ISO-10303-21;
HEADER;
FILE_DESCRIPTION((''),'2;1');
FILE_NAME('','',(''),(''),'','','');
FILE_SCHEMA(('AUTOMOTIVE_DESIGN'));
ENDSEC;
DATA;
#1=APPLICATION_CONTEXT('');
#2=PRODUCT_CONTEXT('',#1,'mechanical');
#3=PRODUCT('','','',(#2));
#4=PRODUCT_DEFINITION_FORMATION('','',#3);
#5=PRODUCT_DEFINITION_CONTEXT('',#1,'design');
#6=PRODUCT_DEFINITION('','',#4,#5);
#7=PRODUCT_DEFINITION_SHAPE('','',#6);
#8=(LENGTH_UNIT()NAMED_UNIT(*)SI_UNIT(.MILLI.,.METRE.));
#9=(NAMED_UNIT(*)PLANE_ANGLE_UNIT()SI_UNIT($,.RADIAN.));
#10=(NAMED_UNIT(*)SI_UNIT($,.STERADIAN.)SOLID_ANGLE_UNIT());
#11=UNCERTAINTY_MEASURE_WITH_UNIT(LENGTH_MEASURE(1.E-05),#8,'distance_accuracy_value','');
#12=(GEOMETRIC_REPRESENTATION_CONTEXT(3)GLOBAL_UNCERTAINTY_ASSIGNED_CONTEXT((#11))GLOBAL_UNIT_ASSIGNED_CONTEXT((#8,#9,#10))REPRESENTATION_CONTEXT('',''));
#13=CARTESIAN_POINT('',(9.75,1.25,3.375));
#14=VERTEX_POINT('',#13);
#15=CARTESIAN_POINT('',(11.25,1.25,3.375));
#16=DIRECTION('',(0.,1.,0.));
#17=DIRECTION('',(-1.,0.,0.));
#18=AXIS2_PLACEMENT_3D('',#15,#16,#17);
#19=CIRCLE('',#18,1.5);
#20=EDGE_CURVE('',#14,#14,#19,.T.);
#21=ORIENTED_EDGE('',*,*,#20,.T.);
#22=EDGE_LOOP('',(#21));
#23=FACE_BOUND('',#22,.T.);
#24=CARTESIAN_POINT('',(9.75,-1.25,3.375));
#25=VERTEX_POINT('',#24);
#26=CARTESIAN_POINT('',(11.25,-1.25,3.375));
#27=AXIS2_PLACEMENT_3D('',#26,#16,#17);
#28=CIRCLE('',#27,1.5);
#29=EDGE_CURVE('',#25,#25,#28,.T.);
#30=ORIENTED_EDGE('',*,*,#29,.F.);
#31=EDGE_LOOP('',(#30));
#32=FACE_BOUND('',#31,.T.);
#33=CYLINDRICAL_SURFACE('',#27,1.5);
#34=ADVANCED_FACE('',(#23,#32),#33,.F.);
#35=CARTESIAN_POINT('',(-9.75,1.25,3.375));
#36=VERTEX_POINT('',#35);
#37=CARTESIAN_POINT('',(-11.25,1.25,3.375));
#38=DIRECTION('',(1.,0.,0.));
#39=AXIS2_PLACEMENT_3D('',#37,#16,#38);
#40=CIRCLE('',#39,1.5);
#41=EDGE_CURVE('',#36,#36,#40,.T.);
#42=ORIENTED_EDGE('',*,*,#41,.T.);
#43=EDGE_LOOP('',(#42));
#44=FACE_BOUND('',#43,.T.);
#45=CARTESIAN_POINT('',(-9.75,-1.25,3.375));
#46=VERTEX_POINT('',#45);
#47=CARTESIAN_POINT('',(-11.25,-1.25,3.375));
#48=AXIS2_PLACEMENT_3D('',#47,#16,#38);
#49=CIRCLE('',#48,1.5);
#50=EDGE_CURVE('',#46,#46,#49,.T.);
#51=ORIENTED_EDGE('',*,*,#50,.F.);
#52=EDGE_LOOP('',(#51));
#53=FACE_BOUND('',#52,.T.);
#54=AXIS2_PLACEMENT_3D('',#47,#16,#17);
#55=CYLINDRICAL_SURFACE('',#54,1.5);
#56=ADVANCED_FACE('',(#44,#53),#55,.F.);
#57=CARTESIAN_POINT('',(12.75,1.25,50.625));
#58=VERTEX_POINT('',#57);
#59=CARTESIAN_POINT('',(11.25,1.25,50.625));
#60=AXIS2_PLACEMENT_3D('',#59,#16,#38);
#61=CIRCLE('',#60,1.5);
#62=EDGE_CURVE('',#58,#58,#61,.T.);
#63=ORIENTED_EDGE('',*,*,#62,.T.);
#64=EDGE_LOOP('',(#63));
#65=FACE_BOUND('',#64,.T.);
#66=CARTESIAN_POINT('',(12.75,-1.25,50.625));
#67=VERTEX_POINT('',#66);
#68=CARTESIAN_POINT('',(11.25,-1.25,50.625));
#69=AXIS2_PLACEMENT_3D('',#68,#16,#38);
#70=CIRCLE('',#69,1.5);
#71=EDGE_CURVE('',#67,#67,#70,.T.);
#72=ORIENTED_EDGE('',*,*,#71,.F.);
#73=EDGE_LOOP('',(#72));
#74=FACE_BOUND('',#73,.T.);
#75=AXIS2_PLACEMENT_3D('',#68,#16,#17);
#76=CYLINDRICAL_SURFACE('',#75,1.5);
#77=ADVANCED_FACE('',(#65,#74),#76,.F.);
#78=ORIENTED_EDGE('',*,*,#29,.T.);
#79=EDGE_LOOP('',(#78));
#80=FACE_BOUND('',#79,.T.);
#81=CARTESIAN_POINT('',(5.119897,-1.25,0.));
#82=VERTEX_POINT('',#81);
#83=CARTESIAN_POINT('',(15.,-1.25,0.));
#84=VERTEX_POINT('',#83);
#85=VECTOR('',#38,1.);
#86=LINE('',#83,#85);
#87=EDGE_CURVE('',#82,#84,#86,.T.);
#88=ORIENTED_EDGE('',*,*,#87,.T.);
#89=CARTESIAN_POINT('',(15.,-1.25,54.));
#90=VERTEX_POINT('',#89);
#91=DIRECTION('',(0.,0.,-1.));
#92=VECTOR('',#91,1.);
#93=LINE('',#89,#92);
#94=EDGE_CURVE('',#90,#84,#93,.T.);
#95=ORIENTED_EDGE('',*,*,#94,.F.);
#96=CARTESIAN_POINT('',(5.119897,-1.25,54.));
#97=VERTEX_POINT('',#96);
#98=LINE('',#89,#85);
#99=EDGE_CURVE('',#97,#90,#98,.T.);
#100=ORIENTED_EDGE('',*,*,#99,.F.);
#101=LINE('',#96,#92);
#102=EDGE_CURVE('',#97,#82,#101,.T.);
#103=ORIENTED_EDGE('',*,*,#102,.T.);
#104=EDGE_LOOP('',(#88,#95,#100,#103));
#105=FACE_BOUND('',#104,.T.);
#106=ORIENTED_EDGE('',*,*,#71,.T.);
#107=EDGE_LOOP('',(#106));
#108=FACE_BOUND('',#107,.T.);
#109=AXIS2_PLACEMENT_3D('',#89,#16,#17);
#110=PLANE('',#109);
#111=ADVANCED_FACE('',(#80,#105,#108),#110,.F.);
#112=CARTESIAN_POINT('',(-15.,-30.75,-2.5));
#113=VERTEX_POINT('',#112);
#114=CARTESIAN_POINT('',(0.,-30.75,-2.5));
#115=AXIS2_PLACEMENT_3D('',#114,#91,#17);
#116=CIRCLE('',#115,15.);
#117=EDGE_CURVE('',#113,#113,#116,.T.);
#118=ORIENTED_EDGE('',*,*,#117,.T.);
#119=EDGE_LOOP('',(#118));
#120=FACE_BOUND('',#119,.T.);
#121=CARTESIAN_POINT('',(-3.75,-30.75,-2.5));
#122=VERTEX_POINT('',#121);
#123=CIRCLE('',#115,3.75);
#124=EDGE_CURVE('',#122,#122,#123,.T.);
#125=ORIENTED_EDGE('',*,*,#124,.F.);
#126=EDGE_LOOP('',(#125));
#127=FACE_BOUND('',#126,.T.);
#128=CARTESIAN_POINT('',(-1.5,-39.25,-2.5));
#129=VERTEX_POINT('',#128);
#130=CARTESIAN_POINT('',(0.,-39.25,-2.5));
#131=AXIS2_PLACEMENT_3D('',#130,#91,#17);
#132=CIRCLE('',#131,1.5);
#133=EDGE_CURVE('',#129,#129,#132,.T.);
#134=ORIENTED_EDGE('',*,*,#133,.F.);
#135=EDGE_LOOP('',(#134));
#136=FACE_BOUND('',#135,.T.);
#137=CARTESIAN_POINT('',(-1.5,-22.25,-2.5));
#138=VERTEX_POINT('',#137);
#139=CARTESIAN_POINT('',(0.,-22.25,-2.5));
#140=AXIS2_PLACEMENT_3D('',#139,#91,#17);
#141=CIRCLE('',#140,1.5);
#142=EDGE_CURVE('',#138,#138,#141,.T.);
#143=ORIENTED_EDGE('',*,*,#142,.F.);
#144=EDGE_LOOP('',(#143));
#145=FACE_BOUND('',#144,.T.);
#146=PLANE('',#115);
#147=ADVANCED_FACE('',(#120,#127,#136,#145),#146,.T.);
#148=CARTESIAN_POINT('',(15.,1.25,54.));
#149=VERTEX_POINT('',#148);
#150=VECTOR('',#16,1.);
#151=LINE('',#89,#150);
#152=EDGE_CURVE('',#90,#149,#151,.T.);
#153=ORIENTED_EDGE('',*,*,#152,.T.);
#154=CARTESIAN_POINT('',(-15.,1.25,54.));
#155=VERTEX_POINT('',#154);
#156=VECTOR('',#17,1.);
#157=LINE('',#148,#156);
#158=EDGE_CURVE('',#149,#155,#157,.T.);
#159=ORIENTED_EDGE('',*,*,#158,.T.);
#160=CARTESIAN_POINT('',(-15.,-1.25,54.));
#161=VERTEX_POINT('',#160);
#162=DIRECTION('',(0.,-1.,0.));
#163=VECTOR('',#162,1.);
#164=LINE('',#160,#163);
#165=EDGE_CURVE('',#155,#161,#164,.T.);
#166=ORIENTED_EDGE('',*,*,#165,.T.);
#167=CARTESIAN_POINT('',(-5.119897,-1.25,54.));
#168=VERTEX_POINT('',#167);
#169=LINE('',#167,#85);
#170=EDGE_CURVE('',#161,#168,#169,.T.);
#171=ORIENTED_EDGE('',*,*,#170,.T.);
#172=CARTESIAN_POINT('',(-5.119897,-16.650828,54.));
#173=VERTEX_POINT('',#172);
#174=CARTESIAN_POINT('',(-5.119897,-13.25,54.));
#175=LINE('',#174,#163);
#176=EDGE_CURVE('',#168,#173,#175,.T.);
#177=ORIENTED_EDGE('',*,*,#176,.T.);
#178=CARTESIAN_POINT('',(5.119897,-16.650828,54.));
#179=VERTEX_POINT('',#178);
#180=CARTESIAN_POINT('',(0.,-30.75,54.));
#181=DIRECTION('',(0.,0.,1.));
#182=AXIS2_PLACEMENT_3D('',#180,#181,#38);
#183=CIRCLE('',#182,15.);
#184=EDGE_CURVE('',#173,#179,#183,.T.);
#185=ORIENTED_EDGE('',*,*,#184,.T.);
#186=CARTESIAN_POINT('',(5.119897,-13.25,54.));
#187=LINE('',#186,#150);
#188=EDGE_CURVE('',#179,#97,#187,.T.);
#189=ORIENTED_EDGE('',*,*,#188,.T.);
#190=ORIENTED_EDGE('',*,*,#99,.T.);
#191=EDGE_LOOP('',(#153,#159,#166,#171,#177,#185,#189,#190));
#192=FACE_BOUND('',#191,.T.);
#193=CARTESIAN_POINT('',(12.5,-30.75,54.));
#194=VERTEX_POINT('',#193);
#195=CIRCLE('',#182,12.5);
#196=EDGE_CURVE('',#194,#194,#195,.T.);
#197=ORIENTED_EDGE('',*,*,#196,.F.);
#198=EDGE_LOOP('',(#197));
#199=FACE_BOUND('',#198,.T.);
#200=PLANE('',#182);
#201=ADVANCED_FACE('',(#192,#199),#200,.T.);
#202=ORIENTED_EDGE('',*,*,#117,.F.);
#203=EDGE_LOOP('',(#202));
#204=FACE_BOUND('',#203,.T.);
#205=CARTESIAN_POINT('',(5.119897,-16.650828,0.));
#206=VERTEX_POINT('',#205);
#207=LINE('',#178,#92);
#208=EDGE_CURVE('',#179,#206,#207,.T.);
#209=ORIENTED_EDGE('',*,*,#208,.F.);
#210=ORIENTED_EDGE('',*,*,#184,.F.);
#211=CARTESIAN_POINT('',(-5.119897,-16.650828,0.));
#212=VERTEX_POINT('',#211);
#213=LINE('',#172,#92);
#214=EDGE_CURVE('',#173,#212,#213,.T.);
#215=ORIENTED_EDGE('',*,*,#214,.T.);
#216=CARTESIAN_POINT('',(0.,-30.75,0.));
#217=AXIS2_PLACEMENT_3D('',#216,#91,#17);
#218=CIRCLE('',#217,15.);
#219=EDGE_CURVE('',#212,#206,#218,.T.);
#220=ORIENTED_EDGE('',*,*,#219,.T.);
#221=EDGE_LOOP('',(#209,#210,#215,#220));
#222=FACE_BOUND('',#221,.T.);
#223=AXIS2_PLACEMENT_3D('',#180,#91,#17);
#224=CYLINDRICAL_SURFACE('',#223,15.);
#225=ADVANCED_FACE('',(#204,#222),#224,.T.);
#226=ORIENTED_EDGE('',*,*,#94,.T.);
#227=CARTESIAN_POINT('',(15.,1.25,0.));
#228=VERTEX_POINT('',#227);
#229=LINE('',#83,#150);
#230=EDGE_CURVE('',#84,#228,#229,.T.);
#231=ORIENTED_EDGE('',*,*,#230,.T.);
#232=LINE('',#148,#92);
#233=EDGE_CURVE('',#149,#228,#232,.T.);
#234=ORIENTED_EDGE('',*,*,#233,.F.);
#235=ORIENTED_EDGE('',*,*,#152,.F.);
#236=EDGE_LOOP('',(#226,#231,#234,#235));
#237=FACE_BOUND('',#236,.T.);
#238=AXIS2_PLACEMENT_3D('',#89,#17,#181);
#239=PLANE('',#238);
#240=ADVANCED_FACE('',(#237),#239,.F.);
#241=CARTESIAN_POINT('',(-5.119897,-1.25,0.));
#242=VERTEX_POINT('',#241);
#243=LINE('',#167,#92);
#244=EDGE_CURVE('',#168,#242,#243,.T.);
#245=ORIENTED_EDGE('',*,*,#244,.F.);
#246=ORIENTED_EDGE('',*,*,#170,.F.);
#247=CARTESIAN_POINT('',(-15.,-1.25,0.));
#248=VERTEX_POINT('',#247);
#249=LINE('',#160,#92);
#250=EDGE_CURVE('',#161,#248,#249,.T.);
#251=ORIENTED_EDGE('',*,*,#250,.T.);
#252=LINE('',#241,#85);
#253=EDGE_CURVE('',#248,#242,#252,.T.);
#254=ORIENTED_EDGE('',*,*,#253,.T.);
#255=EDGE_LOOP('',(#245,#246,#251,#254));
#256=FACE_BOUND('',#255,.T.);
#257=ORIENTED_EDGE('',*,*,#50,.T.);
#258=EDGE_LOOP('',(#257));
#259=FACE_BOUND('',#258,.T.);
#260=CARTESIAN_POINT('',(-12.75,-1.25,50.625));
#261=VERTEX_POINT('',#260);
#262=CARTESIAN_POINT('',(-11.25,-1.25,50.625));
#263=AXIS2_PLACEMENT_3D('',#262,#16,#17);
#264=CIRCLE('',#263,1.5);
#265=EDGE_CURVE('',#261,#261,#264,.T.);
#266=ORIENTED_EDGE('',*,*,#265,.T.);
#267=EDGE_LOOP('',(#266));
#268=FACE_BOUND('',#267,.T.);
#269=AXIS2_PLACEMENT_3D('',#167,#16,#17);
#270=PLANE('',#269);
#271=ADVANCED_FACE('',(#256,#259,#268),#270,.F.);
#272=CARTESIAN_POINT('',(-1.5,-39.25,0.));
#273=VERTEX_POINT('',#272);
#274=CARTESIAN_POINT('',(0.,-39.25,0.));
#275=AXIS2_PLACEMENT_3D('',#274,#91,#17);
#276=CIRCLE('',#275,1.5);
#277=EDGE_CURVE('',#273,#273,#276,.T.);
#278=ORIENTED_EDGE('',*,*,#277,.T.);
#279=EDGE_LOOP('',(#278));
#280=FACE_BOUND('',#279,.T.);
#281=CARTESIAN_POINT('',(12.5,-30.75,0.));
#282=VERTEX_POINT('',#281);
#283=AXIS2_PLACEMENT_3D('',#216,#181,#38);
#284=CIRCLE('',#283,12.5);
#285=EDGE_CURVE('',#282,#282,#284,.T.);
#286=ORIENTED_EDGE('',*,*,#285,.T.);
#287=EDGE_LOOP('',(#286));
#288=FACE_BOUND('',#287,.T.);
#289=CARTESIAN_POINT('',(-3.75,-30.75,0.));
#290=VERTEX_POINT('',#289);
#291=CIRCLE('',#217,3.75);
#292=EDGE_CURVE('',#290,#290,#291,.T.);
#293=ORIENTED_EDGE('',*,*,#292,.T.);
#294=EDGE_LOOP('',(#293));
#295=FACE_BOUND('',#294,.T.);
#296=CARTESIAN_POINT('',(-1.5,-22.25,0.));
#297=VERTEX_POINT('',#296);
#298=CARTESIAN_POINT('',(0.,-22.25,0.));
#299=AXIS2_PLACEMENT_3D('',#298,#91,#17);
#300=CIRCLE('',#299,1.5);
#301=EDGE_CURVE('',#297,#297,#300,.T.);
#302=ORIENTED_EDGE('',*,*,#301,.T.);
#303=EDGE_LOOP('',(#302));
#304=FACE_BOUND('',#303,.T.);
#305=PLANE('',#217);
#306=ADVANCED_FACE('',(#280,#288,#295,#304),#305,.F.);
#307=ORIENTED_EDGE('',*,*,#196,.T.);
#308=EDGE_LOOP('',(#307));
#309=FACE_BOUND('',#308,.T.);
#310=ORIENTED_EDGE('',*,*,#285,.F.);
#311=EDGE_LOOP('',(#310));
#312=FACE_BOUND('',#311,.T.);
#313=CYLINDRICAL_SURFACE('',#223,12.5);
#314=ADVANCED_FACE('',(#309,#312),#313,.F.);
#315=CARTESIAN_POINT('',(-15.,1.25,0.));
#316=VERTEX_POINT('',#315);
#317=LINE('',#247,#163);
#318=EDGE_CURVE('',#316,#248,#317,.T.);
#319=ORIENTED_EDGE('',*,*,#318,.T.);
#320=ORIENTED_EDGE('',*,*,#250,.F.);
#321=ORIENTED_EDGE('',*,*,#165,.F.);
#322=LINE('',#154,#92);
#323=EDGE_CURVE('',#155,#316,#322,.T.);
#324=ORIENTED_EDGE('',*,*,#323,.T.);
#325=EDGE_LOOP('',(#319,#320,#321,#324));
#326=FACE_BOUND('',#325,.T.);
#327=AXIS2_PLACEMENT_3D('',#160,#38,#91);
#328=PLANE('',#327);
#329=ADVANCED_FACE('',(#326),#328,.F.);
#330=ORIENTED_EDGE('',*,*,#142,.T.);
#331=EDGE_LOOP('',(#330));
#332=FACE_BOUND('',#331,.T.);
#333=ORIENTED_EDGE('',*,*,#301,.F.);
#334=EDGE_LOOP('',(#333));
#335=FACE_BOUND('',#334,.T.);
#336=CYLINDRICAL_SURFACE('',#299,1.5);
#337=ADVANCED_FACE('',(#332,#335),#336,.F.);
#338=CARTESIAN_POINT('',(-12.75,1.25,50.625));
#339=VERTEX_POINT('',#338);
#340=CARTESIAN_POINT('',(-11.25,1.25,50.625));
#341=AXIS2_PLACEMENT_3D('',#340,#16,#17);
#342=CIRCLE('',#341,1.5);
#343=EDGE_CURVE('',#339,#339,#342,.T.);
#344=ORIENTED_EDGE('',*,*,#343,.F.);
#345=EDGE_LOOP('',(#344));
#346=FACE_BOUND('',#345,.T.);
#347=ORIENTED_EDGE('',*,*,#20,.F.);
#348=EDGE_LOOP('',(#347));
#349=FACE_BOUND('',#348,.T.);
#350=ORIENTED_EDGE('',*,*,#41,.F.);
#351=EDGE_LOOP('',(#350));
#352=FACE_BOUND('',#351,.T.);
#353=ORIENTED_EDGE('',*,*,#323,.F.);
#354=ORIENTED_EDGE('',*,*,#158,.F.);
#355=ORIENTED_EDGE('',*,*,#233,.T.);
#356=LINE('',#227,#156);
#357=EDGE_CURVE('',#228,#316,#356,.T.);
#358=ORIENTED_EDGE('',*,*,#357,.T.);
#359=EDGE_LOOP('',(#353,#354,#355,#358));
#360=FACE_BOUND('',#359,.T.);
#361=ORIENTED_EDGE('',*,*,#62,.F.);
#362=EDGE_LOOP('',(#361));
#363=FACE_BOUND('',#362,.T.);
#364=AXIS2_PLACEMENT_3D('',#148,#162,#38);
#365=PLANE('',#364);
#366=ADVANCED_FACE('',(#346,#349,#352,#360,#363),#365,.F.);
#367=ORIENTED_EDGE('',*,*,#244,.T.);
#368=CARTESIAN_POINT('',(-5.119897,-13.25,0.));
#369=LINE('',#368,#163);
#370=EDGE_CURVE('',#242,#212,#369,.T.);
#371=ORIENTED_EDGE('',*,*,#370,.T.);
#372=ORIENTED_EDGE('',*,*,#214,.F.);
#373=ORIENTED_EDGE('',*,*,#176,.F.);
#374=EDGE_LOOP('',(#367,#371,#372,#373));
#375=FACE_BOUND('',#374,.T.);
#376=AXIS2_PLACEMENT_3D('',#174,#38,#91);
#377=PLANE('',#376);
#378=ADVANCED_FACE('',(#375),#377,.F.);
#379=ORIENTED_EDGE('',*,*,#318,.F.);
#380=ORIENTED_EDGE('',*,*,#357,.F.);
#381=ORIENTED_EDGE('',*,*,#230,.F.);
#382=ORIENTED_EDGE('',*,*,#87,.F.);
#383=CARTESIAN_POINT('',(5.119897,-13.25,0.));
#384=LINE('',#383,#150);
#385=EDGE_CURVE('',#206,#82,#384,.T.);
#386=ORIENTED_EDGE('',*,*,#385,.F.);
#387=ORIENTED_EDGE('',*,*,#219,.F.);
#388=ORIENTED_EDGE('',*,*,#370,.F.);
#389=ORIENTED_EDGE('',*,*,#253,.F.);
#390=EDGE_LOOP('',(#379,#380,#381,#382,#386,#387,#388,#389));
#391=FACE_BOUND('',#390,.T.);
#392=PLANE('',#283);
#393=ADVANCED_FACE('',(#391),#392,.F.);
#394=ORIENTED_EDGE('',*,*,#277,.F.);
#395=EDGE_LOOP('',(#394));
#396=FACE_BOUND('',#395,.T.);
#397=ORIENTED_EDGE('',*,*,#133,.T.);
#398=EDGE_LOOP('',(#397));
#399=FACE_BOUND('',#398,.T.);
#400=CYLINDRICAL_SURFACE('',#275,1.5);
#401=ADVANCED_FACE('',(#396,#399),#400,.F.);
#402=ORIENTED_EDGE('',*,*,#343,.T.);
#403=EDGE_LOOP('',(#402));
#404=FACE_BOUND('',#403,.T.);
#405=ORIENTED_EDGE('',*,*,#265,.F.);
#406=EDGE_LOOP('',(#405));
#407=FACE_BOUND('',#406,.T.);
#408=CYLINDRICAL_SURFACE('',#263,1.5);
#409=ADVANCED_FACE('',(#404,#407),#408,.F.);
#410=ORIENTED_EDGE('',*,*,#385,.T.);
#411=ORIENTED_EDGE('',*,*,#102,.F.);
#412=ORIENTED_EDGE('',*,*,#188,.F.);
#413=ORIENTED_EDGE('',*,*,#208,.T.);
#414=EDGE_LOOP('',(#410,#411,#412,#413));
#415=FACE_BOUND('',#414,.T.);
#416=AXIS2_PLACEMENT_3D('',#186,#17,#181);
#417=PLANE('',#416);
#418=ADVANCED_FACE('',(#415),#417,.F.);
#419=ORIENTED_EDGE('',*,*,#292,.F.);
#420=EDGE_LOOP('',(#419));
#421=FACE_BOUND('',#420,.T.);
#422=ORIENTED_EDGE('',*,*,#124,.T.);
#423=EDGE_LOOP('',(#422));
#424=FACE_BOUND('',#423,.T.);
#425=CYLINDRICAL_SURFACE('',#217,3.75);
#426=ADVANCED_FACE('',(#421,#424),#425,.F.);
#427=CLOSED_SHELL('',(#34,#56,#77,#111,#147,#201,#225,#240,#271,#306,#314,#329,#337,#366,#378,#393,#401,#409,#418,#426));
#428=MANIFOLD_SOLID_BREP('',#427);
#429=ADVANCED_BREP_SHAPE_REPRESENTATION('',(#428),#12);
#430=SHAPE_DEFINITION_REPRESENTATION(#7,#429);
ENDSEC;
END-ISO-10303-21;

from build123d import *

# Parameters (mm, degrees)
CROQUIS1_R              = 12.5
SALIENTE_EXTRUIR1_DEPTH = 54
SALIENTE_EXTRUIR2_START = 2.5
CROQUIS2_R              = 15
SALIENTE_EXTRUIR2_DEPTH = 2.5
CROQUIS3_R              = 3.75
CORTAR_EXTRUIR2_DEPTH   = 2.5
CROQUIS5_R              = 1.5
CORTAR_EXTRUIR3_DEPTH   = 2.5
CROQUIS9_R              = 1.5
CORTAR_EXTRUIR5_DEPTH   = 2.5


with BuildPart() as part:
    # Croquis1 → Saliente-Extruir1 (new body)
    with BuildSketch(Plane.XY):
        with BuildLine():
            Line((-5.119897429, -1.25), (-15, -1.25))
            Line((-15, -1.25), (-15, 1.25))
            Line((-15, 1.25), (15, 1.25))
            Line((15, 1.25), (15, -1.25))
            Line((15, -1.25), (5.119897429, -1.25))
            Line((5.119897429, -1.25), (5.119897429, -13.25))
            Line((5.119897429, -13.25), (5.119897429, -16.650828027))
            ThreePointArc((5.119897429, -16.650828027), (0, -45.75), (-5.119897429, -16.650828027))
            Line((-5.119897429, -16.650828027), (-5.119897429, -13.25))
            Line((-5.119897429, -13.25), (-5.119897429, -1.25))
        make_face()
        with Locations((0, -30.75)):
            Circle(CROQUIS1_R, mode=Mode.SUBTRACT)
    extrude(amount=SALIENTE_EXTRUIR1_DEPTH)

    # Croquis2 → Saliente-Extruir2 (add)
    with BuildSketch(Plane(origin=(0, 0, 0), x_dir=(-1, 0, 0), z_dir=(0, 0, -1)).offset(SALIENTE_EXTRUIR2_START)):
        with Locations((0, -30.75)):
            Circle(CROQUIS2_R)
    extrude(amount=-SALIENTE_EXTRUIR2_DEPTH)

    # Croquis3 → Cortar-Extruir2 (cut)
    with BuildSketch(Plane(origin=(0, 0, -2.5), x_dir=(-1, 0, 0), z_dir=(0, 0, -1))):
        with Locations((0, -30.75)):
            Circle(CROQUIS3_R)
    extrude(amount=-CORTAR_EXTRUIR2_DEPTH, mode=Mode.SUBTRACT)

    # Croquis5 → Cortar-Extruir3 (cut)
    with BuildSketch(Plane(origin=(0, 0, -2.5), x_dir=(-1, 0, 0), z_dir=(0, 0, -1))):
        with Locations((0, -22.25)):
            Circle(CROQUIS5_R)
        with Locations((0, -39.25)):
            Circle(CROQUIS5_R)
    extrude(amount=-CORTAR_EXTRUIR3_DEPTH, mode=Mode.SUBTRACT)

    # Croquis9 → Cortar-Extruir5 (cut)
    with BuildSketch(Plane(origin=(0, 1.25, 0), x_dir=(1, 0, 0), z_dir=(0, 1, 0))):
        with Locations((-11.25, -50.625)):
            Circle(CROQUIS9_R)
        with Locations((-11.25, -3.375)):
            Circle(CROQUIS9_R)
        with Locations((11.25, -50.625)):
            Circle(CROQUIS9_R)
        with Locations((11.25, -3.375)):
            Circle(CROQUIS9_R)
    extrude(amount=-CORTAR_EXTRUIR5_DEPTH, mode=Mode.SUBTRACT)


solid = part.part
